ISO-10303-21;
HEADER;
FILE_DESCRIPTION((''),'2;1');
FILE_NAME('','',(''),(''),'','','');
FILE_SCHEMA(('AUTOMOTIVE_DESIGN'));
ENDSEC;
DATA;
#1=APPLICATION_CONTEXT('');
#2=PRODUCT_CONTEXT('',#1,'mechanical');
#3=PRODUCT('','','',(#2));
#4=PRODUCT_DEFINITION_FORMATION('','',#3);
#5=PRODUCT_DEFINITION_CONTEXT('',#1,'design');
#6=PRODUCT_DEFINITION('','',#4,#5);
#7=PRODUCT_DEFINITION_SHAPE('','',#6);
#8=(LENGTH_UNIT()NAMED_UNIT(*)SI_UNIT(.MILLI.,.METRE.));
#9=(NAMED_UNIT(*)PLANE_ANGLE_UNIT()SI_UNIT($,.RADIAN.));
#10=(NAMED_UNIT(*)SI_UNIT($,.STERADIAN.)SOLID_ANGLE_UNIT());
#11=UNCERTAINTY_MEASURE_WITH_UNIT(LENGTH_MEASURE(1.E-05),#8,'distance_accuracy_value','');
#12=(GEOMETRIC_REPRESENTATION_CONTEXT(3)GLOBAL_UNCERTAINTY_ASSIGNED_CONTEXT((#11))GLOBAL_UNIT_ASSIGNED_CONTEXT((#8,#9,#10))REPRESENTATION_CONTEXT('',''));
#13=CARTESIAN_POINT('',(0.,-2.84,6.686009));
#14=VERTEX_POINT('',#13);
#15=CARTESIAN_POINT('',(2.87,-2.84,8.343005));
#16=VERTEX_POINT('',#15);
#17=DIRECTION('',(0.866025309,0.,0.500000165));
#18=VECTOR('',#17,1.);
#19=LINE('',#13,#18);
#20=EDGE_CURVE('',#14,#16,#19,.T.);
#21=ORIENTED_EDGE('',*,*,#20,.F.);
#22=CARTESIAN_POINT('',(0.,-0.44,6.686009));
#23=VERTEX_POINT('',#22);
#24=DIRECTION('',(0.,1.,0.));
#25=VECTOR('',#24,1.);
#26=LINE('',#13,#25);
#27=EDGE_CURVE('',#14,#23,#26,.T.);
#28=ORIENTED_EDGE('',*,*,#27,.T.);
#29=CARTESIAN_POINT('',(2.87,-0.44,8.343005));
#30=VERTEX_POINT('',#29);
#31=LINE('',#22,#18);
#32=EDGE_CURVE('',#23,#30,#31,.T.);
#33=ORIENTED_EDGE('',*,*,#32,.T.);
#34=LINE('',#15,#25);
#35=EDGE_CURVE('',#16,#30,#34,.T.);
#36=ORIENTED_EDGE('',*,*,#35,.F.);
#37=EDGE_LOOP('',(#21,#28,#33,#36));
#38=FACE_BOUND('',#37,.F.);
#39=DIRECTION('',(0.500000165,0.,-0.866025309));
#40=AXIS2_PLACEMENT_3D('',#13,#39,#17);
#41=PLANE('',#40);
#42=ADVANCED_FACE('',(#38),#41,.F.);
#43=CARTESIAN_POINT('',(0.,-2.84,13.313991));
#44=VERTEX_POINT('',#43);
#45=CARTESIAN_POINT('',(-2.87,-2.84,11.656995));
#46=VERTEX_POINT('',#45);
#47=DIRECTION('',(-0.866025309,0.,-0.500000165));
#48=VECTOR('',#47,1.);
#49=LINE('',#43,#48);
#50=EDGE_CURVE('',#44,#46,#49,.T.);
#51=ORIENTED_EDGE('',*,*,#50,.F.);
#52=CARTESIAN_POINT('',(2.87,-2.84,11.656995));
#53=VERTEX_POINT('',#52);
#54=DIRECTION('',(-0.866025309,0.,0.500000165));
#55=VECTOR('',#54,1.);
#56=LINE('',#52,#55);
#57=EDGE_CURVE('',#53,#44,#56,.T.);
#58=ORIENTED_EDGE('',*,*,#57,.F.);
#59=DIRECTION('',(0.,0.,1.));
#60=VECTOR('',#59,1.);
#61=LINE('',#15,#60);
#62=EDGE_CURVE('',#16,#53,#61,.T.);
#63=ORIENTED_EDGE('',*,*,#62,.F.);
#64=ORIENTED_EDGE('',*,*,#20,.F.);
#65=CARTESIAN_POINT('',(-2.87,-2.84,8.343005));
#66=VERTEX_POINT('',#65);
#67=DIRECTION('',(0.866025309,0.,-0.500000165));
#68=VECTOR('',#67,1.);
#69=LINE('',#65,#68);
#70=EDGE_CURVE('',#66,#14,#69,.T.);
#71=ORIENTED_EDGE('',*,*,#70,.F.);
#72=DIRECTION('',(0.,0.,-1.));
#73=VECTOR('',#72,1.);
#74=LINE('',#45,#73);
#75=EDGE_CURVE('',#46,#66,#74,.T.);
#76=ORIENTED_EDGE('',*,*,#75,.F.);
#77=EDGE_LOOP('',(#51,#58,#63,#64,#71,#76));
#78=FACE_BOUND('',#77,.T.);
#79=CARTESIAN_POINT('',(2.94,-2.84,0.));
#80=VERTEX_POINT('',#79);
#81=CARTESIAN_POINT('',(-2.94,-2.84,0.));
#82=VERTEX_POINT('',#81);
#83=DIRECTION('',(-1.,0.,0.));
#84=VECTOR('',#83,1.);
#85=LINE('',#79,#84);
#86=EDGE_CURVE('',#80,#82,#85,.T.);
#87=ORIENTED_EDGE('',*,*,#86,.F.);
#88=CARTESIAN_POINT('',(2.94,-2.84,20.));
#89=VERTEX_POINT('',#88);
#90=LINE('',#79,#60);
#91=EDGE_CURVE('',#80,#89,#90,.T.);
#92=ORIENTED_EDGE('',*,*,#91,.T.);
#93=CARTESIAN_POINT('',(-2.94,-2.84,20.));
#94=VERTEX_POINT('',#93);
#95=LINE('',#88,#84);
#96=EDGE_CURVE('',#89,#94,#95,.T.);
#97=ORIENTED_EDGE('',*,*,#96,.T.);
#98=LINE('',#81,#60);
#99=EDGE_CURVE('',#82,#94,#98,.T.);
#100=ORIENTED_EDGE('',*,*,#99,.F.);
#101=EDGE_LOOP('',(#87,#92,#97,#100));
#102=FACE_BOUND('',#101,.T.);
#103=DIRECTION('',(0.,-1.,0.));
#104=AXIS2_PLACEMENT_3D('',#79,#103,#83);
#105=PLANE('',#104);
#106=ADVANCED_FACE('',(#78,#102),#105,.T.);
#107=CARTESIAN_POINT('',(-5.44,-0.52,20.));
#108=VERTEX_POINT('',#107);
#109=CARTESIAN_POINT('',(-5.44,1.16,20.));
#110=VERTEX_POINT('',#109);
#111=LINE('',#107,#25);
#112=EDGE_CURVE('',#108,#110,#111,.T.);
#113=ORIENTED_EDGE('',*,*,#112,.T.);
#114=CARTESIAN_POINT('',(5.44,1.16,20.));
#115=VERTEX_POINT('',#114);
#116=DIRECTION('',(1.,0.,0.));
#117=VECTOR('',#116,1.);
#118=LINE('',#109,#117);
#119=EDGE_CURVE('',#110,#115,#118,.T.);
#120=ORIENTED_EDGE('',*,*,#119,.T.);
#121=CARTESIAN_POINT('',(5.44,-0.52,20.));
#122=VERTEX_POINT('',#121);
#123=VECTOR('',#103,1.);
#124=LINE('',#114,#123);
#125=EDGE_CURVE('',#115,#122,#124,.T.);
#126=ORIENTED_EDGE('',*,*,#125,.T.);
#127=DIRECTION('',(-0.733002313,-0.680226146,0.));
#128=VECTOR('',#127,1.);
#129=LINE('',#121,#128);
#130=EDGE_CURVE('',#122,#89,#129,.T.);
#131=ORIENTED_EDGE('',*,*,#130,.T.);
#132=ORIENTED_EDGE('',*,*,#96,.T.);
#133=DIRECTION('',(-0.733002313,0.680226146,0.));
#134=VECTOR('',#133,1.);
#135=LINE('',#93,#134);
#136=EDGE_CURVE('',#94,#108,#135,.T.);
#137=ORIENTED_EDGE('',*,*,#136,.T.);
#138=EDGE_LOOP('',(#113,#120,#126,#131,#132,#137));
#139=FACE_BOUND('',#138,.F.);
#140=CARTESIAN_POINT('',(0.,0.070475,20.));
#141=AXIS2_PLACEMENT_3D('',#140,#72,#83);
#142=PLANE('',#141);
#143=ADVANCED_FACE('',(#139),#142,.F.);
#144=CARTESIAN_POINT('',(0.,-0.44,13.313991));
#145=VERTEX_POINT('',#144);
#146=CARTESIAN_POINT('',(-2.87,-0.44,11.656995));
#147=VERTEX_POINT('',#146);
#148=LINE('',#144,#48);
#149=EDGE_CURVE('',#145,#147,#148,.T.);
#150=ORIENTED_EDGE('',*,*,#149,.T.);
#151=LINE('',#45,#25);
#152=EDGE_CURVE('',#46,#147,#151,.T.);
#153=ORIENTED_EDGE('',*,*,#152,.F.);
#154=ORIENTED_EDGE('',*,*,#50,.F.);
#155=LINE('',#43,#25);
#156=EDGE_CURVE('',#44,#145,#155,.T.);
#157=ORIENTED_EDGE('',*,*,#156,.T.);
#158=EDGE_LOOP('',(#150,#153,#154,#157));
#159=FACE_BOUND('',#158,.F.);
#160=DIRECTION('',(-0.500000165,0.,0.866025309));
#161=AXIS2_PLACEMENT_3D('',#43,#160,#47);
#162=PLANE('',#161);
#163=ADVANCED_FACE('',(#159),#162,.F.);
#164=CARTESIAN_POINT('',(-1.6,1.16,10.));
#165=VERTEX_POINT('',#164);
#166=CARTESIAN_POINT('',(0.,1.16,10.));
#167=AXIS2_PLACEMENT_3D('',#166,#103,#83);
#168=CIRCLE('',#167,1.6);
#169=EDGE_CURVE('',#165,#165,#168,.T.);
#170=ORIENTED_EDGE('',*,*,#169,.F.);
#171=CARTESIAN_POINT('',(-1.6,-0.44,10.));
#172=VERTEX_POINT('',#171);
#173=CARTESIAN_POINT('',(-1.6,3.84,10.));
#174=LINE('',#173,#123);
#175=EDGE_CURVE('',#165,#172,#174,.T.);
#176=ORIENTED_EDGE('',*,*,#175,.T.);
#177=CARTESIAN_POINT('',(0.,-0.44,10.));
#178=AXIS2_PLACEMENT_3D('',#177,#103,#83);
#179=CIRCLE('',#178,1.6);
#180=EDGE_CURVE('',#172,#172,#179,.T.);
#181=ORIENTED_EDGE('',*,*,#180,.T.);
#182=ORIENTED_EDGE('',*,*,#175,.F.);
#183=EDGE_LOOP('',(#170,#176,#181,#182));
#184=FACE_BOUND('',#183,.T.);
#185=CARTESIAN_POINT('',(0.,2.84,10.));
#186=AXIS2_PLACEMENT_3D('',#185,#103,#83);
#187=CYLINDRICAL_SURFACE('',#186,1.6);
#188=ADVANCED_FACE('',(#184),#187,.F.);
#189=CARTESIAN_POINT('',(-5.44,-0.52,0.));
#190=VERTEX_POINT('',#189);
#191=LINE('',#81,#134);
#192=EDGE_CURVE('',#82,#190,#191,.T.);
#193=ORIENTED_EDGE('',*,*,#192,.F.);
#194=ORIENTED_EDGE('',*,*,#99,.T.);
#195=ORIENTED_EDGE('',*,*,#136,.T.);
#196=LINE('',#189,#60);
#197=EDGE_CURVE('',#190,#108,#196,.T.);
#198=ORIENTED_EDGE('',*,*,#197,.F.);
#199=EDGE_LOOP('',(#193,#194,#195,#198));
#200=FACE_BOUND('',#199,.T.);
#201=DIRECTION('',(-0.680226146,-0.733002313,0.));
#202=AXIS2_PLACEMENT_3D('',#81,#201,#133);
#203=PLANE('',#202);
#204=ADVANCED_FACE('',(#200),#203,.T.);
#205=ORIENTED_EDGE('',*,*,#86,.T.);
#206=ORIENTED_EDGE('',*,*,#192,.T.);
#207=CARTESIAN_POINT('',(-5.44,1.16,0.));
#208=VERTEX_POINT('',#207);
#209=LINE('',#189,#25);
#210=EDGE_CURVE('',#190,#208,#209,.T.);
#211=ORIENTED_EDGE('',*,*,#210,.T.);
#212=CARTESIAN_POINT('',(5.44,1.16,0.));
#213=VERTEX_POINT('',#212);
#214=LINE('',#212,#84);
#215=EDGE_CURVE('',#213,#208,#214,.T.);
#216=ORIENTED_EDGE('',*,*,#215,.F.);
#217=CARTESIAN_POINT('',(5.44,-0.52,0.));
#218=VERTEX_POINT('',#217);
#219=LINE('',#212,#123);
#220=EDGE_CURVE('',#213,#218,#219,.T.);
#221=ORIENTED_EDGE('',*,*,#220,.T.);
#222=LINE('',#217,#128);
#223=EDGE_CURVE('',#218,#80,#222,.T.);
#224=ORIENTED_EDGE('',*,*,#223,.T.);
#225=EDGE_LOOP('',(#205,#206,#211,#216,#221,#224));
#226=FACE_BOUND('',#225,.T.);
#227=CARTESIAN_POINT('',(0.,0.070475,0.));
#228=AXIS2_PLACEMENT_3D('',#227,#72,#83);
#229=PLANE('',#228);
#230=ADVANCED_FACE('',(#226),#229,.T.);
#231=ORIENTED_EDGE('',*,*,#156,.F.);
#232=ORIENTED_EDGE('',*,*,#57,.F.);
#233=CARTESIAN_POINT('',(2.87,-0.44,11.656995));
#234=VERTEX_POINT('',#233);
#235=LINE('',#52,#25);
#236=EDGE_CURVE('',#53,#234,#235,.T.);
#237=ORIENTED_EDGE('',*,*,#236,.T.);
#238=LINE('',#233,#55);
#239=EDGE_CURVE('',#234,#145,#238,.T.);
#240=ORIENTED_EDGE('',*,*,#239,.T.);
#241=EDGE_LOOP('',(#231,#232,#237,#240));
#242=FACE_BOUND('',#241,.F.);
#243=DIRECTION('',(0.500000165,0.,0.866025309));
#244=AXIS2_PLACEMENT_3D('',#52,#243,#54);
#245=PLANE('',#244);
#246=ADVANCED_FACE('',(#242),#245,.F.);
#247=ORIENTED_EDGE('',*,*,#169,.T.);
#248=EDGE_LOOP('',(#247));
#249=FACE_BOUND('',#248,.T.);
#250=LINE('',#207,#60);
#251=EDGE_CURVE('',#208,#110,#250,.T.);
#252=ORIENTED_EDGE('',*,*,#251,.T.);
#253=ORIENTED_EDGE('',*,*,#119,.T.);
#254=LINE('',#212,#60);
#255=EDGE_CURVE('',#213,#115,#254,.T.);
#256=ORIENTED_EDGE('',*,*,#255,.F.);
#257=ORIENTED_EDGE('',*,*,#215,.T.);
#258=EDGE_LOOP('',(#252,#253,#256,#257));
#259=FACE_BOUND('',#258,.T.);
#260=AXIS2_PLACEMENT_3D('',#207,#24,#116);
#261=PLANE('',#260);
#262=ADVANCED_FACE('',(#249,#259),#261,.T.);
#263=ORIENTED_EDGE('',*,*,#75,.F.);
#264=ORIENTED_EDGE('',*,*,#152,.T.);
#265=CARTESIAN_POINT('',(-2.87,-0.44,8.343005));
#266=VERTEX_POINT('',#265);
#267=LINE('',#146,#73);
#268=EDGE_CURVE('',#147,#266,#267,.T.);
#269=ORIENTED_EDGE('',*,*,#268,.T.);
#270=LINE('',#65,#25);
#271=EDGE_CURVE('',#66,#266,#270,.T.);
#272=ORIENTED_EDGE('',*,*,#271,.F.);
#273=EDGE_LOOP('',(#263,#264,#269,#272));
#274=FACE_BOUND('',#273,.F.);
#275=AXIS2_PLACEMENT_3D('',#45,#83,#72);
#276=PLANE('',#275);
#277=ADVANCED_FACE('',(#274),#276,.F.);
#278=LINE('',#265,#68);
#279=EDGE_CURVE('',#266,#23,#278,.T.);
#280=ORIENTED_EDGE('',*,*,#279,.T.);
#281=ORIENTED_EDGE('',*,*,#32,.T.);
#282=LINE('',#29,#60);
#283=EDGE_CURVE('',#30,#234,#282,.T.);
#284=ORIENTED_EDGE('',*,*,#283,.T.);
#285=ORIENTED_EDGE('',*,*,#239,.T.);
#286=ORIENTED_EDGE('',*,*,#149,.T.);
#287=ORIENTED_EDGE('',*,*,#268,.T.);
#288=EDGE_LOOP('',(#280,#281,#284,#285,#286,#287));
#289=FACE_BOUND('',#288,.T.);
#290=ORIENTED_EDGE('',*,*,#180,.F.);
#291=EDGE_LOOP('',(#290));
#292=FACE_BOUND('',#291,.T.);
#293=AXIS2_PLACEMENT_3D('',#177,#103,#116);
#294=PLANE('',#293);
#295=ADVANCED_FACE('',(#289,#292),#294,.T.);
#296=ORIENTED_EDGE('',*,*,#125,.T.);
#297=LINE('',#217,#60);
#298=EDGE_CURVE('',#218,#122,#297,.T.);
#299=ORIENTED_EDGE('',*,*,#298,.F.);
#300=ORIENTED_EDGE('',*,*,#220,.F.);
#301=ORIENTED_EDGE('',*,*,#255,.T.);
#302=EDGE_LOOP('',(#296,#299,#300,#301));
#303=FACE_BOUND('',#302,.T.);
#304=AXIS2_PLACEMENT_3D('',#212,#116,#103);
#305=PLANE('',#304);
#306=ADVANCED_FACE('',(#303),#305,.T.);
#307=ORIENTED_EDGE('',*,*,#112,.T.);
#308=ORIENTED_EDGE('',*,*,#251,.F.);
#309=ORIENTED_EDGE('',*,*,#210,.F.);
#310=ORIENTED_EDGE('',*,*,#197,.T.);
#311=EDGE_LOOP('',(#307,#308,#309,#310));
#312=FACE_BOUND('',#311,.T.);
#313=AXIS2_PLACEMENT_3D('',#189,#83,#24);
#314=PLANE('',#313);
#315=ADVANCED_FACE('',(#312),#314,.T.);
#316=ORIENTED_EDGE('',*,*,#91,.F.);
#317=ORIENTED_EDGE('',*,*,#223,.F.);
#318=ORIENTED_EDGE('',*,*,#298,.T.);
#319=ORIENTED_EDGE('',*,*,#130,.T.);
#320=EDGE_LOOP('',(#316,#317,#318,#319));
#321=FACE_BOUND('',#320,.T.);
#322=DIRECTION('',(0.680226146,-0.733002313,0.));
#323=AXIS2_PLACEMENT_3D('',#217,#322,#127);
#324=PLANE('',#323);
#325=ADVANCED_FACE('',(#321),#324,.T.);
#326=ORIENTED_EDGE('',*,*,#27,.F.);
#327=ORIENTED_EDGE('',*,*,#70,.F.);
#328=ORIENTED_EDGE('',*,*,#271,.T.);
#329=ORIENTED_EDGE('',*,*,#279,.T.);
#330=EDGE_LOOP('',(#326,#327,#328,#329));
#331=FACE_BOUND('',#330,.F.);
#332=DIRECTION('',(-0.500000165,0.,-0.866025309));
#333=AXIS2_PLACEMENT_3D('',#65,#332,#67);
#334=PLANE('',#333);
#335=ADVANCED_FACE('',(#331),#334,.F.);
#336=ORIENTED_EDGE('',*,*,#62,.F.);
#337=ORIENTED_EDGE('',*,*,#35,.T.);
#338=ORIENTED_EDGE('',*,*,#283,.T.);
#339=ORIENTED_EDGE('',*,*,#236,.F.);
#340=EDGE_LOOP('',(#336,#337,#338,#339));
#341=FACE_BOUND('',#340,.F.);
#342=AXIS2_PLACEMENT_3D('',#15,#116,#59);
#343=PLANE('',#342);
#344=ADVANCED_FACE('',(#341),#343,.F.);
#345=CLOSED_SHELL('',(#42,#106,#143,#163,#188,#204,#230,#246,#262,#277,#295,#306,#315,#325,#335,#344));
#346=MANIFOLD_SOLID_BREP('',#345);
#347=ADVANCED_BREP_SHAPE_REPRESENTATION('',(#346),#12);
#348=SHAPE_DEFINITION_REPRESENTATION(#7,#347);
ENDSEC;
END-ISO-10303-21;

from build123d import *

# Parameters (mm, degrees)
PAD_DEPTH       = 20
SKETCH001_R     = 1.6
POCKET_DEPTH    = 5.68
SKETCH002_W     = 5
SKETCH002_H     = 5
SKETCH002_R     = 1.6
PAD001_DEPTH    = 1
SKETCH003_R     = 1.6
POCKET001_DEPTH = 2.4
SKETCH004_W     = 5.88
SKETCH004_H     = 2.68
POCKET002_DEPTH = 20.001


with BuildPart() as part:
    # Sketch → Pad (new body)
    with BuildSketch(Plane.XY):
        Polygon((2.94, -2.84), (-2.94, -2.84), (-5.44, -0.52), (-5.44, 1.16), (-2.94, 1.16), (-2.94, 2.84), (2.94, 2.84), (2.94, 1.16), (5.44, 1.16), (5.44, -0.52), align=None)
    extrude(amount=PAD_DEPTH)

    # Sketch001 (on Face6 of Pad) → Pocket (cut)
    with BuildSketch(Plane(origin=(0, 2.84, 0), x_dir=(-1, 0, 0), z_dir=(0, 1, 0))):
        with Locations((0, 10)):
            Circle(SKETCH001_R)
    extrude(amount=-POCKET_DEPTH, mode=Mode.SUBTRACT)

    # Sketch002 (on Face11 of Pocket) → Pad001 (join)
    with BuildSketch(Plane(origin=(0, 2.84, 0), x_dir=(-1, 0, 0), z_dir=(0, 1, 0))):
        with Locations((0, 10)):
            Rectangle(SKETCH002_W, SKETCH002_H)
        with Locations((0, 10)):
            Circle(SKETCH002_R, mode=Mode.SUBTRACT)
    extrude(amount=PAD001_DEPTH)

    # Sketch003 (on Face1 of Pad001) → Pocket001 (cut)
    with BuildSketch(Plane.XZ.offset(2.84)):
        Polygon((0, 6.686009), (2.87, 8.343005), (2.87, 11.656995), (0, 13.313991), (-2.87, 11.656995), (-2.87, 8.343005), align=None)
        with Locations((0, 10)):
            Circle(SKETCH003_R, mode=Mode.SUBTRACT)
    extrude(amount=-POCKET001_DEPTH, mode=Mode.SUBTRACT)

    # Sketch004 (on Face3 of Pocket001) → Pocket002 (cut, through all)
    with BuildSketch(Plane(origin=(0, 0, 0), x_dir=(1, 0, 0), z_dir=(0, 0, -1))):
        with Locations((0, -2.5)):
            Rectangle(SKETCH004_W, SKETCH004_H)
    extrude(amount=-POCKET002_DEPTH, mode=Mode.SUBTRACT)


solid = part.part
